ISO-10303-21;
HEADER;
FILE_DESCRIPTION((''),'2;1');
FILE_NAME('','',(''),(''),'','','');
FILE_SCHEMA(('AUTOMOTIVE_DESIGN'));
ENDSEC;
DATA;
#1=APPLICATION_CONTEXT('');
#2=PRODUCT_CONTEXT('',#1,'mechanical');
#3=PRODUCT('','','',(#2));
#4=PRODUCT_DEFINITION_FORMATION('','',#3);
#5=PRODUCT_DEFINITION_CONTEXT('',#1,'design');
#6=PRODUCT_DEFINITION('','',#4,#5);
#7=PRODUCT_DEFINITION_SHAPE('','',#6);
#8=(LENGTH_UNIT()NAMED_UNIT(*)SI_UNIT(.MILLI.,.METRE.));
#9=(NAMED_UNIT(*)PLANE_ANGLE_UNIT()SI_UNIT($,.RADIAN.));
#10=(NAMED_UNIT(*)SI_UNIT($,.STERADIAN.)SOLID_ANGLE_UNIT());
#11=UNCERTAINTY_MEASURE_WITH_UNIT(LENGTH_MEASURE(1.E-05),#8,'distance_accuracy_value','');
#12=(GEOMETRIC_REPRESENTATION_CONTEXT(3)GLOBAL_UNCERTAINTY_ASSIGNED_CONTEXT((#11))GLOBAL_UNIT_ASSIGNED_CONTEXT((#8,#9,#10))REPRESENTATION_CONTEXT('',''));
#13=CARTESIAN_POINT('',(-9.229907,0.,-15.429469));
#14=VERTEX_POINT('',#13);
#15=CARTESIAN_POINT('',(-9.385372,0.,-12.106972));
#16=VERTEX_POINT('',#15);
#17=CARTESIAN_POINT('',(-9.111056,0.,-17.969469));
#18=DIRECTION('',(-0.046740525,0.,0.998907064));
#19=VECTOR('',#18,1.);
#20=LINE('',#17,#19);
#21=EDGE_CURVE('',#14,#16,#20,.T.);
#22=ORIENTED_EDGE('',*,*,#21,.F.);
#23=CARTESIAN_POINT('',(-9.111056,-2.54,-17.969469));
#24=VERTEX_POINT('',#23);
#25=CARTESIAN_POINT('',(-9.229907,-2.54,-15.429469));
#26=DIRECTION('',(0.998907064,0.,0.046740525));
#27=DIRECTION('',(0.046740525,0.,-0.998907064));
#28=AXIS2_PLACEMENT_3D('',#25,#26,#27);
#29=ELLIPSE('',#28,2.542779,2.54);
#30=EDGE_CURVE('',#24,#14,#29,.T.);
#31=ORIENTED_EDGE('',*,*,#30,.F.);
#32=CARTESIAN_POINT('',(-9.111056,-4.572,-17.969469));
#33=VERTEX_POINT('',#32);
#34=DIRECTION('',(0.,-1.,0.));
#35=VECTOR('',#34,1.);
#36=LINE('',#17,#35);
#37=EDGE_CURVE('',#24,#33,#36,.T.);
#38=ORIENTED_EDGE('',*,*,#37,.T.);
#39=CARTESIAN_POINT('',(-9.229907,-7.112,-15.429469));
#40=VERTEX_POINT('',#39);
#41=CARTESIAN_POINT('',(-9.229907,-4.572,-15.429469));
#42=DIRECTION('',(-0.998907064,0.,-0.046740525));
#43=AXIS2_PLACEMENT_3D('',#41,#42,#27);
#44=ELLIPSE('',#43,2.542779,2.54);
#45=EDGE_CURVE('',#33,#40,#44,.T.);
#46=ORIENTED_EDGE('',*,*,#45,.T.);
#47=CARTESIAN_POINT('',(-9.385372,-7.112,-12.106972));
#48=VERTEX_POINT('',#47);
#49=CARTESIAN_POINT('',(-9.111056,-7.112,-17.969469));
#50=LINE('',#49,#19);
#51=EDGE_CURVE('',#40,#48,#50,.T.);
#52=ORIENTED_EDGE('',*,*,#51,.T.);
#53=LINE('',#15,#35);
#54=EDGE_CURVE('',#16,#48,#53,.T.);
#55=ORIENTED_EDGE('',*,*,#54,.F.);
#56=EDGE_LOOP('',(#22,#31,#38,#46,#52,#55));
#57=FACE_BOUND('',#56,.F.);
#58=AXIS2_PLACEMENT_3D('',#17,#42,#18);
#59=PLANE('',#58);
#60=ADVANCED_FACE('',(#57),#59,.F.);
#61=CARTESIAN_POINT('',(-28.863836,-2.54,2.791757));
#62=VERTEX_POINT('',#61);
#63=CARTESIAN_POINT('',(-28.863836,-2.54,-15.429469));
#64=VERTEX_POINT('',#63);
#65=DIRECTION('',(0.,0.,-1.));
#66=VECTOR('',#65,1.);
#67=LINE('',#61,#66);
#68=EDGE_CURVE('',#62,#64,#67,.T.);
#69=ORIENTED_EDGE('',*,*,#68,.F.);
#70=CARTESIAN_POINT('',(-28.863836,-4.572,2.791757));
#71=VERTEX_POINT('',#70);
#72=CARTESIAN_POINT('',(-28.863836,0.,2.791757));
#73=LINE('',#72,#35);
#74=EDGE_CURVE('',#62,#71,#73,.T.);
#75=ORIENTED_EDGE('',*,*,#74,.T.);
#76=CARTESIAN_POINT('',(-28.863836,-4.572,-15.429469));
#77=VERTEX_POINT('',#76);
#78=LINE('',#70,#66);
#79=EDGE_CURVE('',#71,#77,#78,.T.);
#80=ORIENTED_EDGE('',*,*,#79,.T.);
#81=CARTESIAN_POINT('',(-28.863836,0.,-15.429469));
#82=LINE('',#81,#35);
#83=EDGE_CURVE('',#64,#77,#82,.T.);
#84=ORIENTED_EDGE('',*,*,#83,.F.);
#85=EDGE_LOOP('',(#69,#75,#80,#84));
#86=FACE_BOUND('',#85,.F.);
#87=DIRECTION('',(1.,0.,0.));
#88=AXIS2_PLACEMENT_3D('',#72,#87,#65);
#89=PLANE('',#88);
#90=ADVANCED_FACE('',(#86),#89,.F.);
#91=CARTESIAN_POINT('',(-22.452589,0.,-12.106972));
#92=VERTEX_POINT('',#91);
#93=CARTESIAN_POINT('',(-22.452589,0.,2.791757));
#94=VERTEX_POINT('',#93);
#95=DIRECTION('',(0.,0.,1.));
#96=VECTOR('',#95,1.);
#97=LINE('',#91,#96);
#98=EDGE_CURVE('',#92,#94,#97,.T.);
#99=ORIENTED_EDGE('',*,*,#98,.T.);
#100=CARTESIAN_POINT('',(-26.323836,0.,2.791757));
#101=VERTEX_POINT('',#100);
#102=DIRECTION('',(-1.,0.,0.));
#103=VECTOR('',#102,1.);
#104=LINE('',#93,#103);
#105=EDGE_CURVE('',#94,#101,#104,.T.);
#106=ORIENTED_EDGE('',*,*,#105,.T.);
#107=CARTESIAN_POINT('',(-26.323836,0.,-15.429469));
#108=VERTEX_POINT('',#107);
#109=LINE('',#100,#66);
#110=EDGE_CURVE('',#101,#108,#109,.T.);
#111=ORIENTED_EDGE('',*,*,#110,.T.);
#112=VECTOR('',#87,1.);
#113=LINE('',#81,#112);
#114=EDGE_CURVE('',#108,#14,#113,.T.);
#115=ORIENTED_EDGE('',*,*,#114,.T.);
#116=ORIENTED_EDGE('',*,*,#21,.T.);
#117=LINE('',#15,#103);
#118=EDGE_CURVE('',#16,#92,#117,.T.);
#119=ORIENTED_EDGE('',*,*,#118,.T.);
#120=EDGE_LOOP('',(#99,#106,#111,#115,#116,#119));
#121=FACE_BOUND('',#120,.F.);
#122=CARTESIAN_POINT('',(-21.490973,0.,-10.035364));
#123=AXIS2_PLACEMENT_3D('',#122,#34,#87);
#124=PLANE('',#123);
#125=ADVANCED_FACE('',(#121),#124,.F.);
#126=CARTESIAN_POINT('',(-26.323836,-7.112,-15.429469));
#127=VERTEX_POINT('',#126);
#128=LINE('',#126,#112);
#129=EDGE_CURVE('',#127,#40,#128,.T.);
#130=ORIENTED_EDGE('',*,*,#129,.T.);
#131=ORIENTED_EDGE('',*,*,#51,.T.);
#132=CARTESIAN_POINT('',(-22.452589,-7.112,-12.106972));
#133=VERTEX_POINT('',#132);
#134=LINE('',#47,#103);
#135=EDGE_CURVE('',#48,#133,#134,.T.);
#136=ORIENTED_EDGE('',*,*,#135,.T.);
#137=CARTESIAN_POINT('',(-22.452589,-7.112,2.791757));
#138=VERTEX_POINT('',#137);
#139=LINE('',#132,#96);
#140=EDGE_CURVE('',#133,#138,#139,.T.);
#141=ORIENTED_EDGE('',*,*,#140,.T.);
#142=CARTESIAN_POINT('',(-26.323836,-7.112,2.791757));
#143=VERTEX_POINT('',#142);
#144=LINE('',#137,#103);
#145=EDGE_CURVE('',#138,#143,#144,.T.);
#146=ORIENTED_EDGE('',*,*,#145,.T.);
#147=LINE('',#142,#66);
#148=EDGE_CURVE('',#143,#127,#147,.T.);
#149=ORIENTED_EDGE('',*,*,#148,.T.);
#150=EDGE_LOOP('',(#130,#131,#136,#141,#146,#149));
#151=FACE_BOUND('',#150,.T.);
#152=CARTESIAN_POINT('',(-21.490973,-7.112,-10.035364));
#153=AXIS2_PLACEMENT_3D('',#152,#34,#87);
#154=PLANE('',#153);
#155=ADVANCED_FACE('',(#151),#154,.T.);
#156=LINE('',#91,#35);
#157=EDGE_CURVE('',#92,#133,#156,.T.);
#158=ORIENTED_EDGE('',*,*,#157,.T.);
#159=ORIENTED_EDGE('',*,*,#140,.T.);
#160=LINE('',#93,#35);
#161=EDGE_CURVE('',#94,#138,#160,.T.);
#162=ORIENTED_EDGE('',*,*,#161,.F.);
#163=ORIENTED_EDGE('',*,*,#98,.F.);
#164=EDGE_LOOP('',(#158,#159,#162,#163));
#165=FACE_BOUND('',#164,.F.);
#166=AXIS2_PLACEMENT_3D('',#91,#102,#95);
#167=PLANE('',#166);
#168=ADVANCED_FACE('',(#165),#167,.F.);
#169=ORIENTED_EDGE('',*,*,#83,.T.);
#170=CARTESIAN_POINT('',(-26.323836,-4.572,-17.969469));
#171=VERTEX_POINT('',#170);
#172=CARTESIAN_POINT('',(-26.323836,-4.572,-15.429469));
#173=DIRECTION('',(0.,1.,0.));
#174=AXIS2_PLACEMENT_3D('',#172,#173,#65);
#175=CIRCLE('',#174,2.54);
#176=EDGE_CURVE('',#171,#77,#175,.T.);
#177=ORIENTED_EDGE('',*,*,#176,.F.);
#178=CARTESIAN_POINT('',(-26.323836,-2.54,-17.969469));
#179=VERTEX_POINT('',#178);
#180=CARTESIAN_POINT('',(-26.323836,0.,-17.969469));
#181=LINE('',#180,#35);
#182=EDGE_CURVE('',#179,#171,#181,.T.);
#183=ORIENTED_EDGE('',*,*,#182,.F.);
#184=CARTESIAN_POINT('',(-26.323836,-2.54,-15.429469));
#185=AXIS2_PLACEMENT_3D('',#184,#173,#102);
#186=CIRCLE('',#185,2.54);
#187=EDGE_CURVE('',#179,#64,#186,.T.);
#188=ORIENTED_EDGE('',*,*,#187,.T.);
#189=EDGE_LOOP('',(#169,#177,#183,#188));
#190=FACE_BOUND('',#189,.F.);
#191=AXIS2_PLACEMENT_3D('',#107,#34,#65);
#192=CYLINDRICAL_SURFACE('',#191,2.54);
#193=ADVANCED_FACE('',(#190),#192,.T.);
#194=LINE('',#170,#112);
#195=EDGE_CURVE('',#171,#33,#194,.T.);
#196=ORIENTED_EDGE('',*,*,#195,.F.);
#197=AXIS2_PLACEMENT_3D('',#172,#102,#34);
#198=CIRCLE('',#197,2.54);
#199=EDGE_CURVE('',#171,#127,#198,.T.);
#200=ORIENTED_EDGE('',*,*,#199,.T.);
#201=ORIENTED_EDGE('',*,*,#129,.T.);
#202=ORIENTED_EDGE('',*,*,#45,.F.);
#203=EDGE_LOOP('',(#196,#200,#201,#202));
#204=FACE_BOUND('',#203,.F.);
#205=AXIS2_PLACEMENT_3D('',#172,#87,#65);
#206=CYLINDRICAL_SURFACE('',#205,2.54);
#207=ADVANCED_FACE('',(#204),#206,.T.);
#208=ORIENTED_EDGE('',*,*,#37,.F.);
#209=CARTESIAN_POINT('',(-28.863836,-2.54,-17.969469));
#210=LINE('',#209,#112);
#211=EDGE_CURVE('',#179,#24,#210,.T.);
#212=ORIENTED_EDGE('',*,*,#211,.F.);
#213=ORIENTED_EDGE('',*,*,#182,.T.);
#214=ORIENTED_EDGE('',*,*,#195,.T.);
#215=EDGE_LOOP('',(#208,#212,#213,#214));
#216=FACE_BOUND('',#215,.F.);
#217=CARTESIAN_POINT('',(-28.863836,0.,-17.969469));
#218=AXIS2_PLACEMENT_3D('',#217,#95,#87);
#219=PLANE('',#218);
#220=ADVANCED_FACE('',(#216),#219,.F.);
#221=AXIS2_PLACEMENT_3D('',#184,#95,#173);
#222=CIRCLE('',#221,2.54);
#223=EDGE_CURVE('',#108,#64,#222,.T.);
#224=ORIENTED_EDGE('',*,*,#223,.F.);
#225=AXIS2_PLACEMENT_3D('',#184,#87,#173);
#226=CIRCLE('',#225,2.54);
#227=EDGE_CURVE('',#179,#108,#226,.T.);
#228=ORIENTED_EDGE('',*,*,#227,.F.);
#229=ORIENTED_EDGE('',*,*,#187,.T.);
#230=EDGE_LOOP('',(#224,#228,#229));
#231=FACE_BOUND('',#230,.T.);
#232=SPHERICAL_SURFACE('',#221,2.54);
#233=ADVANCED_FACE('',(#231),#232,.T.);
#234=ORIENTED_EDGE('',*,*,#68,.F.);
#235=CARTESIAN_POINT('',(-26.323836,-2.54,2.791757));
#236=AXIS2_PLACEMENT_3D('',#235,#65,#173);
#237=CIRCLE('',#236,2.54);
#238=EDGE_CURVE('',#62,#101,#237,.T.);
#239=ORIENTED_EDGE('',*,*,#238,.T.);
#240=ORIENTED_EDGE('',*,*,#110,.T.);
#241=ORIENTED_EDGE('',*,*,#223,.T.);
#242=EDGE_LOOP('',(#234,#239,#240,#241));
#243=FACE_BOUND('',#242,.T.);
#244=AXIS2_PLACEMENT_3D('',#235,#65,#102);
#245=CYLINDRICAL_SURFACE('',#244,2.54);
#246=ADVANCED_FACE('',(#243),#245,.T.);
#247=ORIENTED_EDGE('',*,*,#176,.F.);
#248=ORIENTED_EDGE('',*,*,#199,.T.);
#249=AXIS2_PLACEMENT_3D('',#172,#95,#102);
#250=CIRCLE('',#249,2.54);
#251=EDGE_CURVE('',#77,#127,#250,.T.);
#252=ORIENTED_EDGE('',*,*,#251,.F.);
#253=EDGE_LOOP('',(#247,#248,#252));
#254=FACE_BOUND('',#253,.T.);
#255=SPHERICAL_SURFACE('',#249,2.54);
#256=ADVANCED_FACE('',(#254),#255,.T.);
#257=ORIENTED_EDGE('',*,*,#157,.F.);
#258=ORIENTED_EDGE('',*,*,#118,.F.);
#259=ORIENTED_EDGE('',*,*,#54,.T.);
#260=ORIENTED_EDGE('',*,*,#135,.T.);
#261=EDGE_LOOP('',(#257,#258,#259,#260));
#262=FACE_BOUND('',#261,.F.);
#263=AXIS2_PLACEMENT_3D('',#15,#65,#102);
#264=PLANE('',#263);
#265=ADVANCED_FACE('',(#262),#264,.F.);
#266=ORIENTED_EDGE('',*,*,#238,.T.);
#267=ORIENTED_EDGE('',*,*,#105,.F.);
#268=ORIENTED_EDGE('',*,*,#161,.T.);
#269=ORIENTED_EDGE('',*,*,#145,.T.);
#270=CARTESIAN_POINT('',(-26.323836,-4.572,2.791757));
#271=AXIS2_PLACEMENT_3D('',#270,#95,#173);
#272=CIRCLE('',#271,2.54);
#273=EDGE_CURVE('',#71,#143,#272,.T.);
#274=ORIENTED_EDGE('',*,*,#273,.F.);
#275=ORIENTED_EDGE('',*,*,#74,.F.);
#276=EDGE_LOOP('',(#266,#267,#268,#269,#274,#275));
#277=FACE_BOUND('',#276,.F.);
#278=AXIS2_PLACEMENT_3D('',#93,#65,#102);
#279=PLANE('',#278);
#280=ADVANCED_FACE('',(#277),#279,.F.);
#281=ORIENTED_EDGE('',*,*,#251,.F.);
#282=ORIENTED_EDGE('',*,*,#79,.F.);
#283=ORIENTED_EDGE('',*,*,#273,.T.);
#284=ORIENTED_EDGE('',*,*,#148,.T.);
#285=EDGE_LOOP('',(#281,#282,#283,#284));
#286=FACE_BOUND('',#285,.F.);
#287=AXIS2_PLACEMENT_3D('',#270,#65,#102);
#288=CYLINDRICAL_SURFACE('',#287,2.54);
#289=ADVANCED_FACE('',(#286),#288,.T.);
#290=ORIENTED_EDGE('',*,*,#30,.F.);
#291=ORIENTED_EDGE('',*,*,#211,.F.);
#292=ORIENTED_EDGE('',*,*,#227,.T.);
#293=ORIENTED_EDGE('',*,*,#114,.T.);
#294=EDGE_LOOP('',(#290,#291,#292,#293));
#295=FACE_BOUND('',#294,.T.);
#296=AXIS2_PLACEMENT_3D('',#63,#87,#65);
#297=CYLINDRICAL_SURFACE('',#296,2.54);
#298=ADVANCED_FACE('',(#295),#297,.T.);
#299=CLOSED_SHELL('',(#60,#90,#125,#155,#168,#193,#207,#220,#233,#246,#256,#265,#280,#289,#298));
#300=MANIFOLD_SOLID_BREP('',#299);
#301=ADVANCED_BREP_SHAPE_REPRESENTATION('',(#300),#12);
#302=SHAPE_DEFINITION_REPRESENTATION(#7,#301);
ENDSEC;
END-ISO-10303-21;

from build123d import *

# Parameters (mm, degrees)
F1_DEPTH = 7.112
F2_R     = 2.54
F3_R     = 2.54


with BuildPart() as f1:
    # F0 (on Front) → F1 (new body)
    with BuildSketch(Plane.XZ):
        Polygon((-28.863836, -17.969469), (-9.111056, -17.969469), (-9.385372, -12.106972), (-22.452589, -12.106972), (-22.452589, 2.791757), (-28.863836, 2.791757), align=None)
    extrude(amount=F1_DEPTH)

    # F2
    f2_edges = [f1.edges().sort_by_distance(p)[0] for p in [
        (-28.863836, -7.112, -7.588856),
    ]]
    fillet(f2_edges, radius=F2_R)

    # F3
    f3_edges = [f1.edges().sort_by_distance(p)[0] for p in [
        (-28.863836, 0, -7.588856),
        (-18.987446, 0, -17.969469),
        (-17.717446, -7.112, -17.969469),
    ]]
    fillet(f3_edges, radius=F3_R)


solid = f1.part
